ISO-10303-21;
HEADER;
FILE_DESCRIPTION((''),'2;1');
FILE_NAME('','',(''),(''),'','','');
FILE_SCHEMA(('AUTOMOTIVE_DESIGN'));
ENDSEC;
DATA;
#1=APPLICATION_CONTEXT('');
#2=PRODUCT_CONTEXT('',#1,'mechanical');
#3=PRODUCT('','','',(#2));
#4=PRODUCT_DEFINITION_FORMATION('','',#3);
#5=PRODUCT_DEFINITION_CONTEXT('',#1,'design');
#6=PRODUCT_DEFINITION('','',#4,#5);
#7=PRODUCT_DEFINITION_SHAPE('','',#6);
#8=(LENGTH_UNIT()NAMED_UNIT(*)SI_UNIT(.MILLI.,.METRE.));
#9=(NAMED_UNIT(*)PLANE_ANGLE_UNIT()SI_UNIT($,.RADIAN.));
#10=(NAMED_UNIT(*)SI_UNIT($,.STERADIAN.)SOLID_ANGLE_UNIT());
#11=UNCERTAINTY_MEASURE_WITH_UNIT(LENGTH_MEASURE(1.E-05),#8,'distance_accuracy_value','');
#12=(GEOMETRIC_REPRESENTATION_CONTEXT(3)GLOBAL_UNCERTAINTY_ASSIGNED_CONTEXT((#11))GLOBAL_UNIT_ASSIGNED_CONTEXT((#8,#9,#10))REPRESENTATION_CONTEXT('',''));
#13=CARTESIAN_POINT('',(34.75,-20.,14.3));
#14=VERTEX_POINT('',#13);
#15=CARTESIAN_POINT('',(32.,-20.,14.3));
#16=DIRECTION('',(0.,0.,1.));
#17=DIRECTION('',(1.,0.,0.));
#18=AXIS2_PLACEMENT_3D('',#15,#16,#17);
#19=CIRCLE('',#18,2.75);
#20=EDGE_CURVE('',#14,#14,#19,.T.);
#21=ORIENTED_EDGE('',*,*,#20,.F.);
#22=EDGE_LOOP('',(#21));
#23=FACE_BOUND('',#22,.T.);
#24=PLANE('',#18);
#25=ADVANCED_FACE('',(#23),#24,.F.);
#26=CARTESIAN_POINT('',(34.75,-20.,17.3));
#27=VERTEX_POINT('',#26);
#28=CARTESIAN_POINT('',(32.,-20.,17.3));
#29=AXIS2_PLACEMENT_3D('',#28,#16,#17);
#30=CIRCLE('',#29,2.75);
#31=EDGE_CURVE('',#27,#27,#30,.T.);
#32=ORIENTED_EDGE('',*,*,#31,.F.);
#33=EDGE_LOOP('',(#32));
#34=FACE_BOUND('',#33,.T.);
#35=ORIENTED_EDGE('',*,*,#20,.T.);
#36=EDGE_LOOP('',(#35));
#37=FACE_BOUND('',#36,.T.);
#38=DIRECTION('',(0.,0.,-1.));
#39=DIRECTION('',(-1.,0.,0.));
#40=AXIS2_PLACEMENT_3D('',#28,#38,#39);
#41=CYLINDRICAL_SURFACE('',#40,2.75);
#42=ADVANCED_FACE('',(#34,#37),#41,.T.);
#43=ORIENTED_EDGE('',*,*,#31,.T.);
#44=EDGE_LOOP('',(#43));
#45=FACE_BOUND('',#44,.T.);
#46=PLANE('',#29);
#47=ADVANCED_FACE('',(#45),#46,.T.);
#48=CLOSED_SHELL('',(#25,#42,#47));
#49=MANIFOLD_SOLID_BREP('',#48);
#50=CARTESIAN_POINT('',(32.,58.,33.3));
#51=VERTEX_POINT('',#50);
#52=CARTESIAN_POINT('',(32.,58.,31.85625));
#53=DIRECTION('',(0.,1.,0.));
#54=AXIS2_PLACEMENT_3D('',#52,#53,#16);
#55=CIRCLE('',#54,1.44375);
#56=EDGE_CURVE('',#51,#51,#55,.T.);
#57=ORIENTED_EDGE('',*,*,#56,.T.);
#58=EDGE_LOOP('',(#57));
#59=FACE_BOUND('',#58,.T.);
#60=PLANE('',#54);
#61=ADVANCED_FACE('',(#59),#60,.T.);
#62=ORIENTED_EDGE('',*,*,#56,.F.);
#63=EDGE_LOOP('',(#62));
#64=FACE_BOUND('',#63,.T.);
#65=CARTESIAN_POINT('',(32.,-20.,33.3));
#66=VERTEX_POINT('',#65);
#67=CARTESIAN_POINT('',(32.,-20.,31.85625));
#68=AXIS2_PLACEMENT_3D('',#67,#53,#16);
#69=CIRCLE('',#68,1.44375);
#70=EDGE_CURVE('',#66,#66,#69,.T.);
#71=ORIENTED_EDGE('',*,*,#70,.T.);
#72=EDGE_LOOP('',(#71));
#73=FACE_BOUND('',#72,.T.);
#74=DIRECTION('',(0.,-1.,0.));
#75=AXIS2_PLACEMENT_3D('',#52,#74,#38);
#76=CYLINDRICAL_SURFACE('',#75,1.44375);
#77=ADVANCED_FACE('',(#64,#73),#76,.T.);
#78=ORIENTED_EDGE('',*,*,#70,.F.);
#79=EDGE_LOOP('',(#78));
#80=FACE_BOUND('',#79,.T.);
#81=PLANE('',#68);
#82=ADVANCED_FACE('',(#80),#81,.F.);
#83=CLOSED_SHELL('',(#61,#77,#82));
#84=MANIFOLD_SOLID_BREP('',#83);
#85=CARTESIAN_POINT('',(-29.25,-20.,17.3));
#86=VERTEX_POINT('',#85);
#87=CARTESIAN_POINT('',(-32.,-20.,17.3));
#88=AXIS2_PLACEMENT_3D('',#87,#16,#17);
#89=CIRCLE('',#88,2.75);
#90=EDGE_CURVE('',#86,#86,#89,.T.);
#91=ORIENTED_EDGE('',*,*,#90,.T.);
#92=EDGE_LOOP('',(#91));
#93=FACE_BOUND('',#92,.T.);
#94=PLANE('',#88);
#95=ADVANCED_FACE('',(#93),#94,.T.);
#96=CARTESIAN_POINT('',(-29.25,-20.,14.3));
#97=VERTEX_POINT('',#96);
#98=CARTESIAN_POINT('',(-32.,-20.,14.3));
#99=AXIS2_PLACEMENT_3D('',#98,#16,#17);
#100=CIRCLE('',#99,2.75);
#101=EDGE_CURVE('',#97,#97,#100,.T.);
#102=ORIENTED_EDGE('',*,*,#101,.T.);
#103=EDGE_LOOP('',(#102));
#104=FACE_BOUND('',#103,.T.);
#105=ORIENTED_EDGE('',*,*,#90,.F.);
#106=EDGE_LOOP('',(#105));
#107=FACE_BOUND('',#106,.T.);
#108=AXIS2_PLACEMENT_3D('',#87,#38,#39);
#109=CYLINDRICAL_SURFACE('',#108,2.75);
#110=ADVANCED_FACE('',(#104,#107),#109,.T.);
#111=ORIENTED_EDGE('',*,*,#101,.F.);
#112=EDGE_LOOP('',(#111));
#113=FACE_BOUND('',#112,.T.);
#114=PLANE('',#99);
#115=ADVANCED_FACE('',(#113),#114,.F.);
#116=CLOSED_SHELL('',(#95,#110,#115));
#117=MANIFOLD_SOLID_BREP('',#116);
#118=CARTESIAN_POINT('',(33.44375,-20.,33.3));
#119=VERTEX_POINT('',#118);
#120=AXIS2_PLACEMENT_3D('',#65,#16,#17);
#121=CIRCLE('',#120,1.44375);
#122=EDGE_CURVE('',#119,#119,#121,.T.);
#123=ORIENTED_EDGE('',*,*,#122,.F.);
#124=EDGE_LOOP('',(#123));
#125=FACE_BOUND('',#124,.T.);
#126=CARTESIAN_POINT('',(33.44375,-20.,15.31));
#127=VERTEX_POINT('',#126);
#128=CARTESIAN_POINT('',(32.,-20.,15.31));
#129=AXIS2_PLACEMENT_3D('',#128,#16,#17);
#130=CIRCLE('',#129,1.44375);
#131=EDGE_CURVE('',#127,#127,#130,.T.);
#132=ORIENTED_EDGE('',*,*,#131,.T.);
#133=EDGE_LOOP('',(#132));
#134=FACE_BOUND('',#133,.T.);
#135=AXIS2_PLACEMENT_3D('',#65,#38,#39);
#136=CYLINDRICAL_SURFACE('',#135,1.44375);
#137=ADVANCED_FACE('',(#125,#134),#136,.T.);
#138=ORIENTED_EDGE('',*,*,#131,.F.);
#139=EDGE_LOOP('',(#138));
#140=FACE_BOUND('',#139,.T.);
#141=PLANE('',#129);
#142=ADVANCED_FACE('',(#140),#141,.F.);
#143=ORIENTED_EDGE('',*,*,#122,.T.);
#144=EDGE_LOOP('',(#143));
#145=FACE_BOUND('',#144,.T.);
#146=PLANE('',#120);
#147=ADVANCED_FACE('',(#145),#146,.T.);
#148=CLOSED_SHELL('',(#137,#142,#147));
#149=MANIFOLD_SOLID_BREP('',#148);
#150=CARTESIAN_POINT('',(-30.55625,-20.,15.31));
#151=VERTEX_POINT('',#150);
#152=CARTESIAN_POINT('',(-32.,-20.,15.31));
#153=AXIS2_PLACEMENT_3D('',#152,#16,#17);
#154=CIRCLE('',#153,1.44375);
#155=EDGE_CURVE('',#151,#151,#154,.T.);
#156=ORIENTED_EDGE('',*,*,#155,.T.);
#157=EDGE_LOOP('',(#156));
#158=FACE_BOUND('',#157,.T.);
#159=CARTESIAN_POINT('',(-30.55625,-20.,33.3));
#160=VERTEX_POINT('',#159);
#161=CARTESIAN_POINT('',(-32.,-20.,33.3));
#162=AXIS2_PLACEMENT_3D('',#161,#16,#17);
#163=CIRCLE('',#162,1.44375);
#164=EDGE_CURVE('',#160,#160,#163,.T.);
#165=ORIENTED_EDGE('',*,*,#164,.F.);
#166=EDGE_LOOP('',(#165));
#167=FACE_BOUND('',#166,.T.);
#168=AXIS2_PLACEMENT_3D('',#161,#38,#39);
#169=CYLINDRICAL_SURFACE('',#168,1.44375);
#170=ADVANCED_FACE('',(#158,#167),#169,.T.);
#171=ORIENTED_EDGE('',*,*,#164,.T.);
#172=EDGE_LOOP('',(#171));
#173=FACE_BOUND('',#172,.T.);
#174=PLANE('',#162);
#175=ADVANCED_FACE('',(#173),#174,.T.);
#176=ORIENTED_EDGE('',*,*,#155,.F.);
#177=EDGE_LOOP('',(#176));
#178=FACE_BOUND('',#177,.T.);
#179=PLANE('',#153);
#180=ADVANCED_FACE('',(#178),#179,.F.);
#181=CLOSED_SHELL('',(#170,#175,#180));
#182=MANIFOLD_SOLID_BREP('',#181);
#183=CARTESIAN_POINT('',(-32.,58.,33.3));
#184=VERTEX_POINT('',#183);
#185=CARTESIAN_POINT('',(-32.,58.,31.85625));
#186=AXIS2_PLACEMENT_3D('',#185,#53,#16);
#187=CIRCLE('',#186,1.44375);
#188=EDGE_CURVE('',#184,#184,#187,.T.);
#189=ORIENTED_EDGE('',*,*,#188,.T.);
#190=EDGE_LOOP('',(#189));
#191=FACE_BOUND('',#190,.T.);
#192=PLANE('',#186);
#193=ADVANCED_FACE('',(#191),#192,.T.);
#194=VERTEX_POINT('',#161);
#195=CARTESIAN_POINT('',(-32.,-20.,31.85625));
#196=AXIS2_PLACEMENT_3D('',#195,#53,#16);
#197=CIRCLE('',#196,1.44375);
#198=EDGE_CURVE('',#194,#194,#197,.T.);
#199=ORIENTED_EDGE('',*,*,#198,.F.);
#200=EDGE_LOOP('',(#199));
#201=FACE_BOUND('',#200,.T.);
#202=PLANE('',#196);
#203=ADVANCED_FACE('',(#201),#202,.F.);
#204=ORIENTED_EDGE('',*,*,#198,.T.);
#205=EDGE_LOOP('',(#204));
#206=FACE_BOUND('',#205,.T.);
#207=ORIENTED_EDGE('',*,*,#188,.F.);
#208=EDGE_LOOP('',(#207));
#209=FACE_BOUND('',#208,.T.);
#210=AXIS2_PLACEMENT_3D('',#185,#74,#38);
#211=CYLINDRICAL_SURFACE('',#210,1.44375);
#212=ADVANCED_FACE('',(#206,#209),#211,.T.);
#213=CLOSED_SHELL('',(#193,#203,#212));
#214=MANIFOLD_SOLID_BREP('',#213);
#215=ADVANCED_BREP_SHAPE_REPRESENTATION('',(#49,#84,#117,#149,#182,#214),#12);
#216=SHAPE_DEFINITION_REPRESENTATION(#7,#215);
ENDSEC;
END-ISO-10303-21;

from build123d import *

# Parameters (mm, degrees)
SKETCH1_R                = 2.75
BOLT_HEAD_32_DEPTH       = 3
SKETCH2_R                = 1.44375
KEY_SHORT_ARM_32_DEPTH   = 17.99
SKETCH3_R                = 1.44375
KEY_LONG_ARM_32_DEPTH    = 78
SKETCH4_R                = 2.75
BOLT_HEAD_32_2_DEPTH     = 3
SKETCH5_R                = 1.44375
KEY_SHORT_ARM_32_2_DEPTH = 17.99
SKETCH6_R                = 1.44375
KEY_LONG_ARM_32_2_DEPTH  = 78


with BuildPart() as part:
    # Sketch1 → Bolt Head -32 (new body)
    with BuildSketch(Plane.XY.offset(14.3)):
        with Locations((-32, -20)):
            Circle(SKETCH1_R)
    extrude(amount=BOLT_HEAD_32_DEPTH)


with BuildPart() as body_2:
    # Sketch2 → Key Short Arm -32 (new body)
    with BuildSketch(Plane.XY.offset(15.31)):
        with Locations((-32, -20)):
            Circle(SKETCH2_R)
    extrude(amount=KEY_SHORT_ARM_32_DEPTH)


with BuildPart() as body_3:
    # Sketch3 → Key Long Arm -32 (new body)
    with BuildSketch(Plane(origin=(0, -20, 0), x_dir=(1, 0, 0), z_dir=(0, 1, 0))):
        with Locations(Location((-32, -31.85625, 0), (0, 0, 270))):
            Circle(SKETCH3_R)
    extrude(amount=KEY_LONG_ARM_32_DEPTH)


with BuildPart() as body_4:
    # Sketch4 → Bolt Head _32 2 (new body)
    with BuildSketch(Plane.XY.offset(14.3)):
        with Locations((32, -20)):
            Circle(SKETCH4_R)
    extrude(amount=BOLT_HEAD_32_2_DEPTH)


with BuildPart() as body_5:
    # Sketch5 → Key Short Arm _32 2 (new body)
    with BuildSketch(Plane.XY.offset(15.31)):
        with Locations((32, -20)):
            Circle(SKETCH5_R)
    extrude(amount=KEY_SHORT_ARM_32_2_DEPTH)


with BuildPart() as body_6:
    # Sketch6 → Key Long Arm _32 2 (new body)
    with BuildSketch(Plane(origin=(0, -20, 0), x_dir=(1, 0, 0), z_dir=(0, 1, 0))):
        with Locations(Location((32, -31.85625, 0), (0, 0, 270))):
            Circle(SKETCH6_R)
    extrude(amount=KEY_LONG_ARM_32_2_DEPTH)


solid = Compound([part.part, body_2.part, body_3.part, body_4.part, body_5.part, body_6.part])
